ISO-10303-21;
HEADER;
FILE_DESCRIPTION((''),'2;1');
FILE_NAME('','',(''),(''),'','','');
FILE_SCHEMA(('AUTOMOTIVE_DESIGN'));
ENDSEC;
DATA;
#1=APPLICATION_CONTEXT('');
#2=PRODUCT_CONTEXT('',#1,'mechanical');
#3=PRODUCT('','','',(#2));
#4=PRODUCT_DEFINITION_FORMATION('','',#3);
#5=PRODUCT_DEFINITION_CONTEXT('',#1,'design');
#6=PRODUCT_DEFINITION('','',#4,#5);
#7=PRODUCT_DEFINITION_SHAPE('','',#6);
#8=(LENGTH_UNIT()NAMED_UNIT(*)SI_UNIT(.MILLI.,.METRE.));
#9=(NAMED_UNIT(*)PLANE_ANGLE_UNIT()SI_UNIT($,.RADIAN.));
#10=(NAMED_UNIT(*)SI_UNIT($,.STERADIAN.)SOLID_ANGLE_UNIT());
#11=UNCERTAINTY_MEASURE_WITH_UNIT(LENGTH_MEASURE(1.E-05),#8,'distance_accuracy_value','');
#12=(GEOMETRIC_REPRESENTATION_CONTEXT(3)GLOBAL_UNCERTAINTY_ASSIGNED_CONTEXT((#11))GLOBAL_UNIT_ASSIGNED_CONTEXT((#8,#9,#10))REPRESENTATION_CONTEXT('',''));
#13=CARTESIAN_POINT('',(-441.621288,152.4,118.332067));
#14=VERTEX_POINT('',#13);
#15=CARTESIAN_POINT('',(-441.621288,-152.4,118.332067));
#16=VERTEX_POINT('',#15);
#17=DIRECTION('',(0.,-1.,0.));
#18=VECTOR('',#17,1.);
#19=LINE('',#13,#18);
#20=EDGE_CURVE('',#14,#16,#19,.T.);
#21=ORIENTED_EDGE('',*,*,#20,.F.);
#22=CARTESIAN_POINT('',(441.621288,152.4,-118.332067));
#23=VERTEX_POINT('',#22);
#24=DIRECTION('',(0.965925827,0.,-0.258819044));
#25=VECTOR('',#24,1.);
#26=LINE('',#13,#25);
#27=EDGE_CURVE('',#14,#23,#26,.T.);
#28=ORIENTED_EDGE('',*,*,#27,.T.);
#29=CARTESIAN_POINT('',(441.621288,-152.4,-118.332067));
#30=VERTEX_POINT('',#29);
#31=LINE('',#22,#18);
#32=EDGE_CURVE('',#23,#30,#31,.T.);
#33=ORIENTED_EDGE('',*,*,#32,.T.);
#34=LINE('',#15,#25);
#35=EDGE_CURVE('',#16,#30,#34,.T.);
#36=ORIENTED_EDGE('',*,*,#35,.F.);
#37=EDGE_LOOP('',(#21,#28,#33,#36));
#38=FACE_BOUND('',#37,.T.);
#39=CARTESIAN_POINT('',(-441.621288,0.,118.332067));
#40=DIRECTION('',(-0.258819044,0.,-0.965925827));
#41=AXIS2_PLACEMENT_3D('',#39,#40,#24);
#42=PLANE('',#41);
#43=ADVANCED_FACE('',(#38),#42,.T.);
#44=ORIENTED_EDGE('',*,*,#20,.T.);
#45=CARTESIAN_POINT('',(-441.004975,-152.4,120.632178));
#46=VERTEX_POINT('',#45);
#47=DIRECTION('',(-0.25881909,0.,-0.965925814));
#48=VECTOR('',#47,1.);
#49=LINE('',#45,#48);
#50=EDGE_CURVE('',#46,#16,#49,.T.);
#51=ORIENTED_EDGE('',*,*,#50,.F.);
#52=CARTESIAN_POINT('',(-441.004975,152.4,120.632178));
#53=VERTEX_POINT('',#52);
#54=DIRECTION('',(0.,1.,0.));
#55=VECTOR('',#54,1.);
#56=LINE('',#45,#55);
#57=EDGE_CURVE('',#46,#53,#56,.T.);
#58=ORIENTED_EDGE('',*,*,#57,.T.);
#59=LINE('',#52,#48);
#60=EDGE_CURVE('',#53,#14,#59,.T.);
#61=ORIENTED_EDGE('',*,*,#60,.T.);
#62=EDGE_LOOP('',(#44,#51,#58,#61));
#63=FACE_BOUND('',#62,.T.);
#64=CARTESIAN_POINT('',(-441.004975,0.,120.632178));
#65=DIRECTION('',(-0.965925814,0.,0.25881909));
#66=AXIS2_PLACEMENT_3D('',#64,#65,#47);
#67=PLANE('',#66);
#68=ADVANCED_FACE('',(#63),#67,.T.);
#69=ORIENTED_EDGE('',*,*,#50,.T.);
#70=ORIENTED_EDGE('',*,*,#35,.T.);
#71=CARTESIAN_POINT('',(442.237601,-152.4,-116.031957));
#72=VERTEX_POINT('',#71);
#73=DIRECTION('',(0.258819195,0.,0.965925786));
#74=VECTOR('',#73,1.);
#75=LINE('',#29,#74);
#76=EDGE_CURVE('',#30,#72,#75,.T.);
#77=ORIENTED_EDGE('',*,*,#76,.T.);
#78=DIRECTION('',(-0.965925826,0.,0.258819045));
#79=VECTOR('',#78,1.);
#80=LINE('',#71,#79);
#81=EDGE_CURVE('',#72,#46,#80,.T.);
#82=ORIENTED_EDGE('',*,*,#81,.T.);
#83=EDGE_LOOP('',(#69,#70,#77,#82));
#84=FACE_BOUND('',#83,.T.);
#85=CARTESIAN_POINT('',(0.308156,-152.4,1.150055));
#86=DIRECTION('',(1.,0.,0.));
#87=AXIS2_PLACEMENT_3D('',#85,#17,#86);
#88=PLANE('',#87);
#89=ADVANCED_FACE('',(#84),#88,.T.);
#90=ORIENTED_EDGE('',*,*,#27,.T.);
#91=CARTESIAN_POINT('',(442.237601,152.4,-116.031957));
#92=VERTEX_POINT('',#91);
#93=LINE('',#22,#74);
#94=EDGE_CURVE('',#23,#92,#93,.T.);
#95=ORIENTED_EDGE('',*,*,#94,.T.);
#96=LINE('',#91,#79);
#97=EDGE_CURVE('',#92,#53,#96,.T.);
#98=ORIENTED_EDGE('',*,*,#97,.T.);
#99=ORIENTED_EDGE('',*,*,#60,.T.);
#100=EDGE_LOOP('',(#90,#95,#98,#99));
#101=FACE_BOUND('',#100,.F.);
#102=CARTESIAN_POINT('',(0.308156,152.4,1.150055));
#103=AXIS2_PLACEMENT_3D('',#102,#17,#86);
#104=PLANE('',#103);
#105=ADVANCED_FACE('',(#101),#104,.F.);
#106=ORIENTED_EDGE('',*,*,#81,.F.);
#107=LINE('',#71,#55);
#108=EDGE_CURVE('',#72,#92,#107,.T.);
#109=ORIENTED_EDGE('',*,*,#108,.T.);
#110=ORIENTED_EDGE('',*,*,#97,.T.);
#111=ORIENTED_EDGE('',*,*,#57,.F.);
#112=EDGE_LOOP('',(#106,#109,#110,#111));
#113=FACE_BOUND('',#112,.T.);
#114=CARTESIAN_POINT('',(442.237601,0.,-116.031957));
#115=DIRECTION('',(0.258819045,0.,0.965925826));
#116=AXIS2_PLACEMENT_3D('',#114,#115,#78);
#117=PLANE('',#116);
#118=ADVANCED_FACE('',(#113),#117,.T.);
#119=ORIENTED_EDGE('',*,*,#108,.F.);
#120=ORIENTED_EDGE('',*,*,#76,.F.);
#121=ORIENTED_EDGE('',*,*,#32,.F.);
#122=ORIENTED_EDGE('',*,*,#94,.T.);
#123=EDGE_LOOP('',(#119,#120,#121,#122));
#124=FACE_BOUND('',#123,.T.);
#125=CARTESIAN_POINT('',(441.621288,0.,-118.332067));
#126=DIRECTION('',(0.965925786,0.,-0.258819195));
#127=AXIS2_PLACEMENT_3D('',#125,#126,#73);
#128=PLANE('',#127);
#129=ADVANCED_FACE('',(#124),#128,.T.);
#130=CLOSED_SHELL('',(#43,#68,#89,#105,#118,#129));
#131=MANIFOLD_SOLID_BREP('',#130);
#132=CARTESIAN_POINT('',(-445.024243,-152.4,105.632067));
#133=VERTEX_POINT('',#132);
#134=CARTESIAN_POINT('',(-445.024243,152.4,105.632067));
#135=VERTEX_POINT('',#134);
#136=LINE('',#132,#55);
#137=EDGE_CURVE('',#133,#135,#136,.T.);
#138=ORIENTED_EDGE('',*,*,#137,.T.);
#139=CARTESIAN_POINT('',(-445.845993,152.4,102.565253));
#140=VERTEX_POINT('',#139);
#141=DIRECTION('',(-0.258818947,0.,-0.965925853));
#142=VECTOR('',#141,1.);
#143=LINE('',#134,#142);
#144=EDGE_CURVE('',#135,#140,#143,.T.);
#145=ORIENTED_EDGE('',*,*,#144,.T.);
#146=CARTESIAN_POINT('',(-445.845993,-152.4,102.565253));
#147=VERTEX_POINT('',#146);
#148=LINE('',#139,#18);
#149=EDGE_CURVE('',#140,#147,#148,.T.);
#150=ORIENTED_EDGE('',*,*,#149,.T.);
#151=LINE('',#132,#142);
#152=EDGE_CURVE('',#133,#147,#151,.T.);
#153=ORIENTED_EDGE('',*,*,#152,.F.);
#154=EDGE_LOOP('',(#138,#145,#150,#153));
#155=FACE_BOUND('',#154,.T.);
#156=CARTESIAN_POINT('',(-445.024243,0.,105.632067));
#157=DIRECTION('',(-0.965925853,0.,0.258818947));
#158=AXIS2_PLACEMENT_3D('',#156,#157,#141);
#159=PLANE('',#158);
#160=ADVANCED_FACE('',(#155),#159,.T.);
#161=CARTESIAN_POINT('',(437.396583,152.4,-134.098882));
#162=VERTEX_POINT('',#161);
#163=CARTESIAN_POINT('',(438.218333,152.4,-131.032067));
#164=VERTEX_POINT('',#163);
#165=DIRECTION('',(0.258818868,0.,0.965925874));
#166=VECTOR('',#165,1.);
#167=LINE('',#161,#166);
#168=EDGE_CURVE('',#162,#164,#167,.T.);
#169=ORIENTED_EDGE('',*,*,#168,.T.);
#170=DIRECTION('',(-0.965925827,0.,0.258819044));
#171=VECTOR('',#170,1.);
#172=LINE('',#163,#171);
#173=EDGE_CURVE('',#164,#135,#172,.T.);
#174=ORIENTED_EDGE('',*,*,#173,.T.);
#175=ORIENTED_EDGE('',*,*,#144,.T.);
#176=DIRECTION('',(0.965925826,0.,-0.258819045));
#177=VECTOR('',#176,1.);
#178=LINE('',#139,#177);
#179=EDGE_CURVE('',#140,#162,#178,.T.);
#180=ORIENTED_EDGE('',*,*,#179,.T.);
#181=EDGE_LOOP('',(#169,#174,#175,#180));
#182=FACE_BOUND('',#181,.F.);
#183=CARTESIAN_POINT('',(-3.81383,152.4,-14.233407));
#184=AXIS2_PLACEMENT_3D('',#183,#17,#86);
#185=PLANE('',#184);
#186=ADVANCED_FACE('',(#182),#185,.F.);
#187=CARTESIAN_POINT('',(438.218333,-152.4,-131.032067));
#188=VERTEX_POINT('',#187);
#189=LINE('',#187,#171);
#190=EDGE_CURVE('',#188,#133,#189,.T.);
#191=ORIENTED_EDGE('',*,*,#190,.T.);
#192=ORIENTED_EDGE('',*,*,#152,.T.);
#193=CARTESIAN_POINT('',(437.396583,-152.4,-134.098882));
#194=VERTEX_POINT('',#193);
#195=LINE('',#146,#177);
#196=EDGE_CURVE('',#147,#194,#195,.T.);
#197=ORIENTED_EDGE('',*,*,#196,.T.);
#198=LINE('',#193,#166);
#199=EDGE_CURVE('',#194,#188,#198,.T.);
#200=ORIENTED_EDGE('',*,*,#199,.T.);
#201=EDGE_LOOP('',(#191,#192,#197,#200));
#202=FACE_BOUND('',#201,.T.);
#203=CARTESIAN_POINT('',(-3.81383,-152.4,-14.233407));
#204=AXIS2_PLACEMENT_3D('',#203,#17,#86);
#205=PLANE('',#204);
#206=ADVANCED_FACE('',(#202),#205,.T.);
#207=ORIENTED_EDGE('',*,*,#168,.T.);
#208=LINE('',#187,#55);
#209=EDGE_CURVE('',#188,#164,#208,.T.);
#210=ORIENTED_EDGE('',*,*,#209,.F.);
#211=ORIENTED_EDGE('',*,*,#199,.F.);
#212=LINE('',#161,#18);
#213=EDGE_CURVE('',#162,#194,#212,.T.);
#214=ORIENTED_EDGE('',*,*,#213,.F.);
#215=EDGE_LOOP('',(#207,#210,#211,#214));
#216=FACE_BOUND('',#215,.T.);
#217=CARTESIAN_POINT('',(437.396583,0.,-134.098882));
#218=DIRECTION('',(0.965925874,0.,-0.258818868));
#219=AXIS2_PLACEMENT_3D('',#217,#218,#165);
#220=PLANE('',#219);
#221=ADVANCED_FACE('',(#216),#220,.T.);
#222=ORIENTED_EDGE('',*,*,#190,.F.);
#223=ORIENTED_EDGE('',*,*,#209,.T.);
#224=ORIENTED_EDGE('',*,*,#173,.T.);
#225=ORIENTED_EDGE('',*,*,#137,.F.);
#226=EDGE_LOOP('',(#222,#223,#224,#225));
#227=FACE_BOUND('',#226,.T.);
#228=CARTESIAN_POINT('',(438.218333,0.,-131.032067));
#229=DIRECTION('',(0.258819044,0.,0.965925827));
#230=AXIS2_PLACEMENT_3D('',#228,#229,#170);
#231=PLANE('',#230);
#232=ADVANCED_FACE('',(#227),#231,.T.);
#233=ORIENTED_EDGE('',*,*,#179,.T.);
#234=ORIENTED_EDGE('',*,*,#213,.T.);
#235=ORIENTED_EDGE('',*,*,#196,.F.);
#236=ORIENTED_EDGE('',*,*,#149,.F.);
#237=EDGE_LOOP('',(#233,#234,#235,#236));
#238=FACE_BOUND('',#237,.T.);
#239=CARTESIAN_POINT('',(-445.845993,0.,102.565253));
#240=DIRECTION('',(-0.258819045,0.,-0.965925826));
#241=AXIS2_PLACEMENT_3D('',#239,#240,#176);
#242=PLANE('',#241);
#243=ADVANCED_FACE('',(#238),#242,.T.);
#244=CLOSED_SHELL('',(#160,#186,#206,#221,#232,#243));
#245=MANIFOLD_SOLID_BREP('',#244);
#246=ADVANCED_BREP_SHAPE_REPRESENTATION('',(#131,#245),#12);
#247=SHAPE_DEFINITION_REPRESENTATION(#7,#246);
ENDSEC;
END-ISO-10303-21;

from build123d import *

# Parameters (mm, degrees)
F1_DEPTH = 152.4
F3_DEPTH = 152.4


with BuildPart() as f1:
    # F0 (on Front) → F1 (new body, symmetric)
    with BuildSketch(Plane.XZ):
        Polygon((-441.004975, 120.632178), (-441.621288, 118.332067), (441.621288, -118.332067), (442.237601, -116.031957), align=None)
    extrude(amount=F1_DEPTH, both=True)


with BuildPart() as f3:
    # F2 (on Front) → F3 (new body, symmetric)
    with BuildSketch(Plane.XZ):
        Polygon((-445.024243, 105.632067), (-445.845993, 102.565253), (437.396583, -134.098882), (438.218333, -131.032067), align=None)
    extrude(amount=F3_DEPTH, both=True)


solid = Compound([f1.part, f3.part])
